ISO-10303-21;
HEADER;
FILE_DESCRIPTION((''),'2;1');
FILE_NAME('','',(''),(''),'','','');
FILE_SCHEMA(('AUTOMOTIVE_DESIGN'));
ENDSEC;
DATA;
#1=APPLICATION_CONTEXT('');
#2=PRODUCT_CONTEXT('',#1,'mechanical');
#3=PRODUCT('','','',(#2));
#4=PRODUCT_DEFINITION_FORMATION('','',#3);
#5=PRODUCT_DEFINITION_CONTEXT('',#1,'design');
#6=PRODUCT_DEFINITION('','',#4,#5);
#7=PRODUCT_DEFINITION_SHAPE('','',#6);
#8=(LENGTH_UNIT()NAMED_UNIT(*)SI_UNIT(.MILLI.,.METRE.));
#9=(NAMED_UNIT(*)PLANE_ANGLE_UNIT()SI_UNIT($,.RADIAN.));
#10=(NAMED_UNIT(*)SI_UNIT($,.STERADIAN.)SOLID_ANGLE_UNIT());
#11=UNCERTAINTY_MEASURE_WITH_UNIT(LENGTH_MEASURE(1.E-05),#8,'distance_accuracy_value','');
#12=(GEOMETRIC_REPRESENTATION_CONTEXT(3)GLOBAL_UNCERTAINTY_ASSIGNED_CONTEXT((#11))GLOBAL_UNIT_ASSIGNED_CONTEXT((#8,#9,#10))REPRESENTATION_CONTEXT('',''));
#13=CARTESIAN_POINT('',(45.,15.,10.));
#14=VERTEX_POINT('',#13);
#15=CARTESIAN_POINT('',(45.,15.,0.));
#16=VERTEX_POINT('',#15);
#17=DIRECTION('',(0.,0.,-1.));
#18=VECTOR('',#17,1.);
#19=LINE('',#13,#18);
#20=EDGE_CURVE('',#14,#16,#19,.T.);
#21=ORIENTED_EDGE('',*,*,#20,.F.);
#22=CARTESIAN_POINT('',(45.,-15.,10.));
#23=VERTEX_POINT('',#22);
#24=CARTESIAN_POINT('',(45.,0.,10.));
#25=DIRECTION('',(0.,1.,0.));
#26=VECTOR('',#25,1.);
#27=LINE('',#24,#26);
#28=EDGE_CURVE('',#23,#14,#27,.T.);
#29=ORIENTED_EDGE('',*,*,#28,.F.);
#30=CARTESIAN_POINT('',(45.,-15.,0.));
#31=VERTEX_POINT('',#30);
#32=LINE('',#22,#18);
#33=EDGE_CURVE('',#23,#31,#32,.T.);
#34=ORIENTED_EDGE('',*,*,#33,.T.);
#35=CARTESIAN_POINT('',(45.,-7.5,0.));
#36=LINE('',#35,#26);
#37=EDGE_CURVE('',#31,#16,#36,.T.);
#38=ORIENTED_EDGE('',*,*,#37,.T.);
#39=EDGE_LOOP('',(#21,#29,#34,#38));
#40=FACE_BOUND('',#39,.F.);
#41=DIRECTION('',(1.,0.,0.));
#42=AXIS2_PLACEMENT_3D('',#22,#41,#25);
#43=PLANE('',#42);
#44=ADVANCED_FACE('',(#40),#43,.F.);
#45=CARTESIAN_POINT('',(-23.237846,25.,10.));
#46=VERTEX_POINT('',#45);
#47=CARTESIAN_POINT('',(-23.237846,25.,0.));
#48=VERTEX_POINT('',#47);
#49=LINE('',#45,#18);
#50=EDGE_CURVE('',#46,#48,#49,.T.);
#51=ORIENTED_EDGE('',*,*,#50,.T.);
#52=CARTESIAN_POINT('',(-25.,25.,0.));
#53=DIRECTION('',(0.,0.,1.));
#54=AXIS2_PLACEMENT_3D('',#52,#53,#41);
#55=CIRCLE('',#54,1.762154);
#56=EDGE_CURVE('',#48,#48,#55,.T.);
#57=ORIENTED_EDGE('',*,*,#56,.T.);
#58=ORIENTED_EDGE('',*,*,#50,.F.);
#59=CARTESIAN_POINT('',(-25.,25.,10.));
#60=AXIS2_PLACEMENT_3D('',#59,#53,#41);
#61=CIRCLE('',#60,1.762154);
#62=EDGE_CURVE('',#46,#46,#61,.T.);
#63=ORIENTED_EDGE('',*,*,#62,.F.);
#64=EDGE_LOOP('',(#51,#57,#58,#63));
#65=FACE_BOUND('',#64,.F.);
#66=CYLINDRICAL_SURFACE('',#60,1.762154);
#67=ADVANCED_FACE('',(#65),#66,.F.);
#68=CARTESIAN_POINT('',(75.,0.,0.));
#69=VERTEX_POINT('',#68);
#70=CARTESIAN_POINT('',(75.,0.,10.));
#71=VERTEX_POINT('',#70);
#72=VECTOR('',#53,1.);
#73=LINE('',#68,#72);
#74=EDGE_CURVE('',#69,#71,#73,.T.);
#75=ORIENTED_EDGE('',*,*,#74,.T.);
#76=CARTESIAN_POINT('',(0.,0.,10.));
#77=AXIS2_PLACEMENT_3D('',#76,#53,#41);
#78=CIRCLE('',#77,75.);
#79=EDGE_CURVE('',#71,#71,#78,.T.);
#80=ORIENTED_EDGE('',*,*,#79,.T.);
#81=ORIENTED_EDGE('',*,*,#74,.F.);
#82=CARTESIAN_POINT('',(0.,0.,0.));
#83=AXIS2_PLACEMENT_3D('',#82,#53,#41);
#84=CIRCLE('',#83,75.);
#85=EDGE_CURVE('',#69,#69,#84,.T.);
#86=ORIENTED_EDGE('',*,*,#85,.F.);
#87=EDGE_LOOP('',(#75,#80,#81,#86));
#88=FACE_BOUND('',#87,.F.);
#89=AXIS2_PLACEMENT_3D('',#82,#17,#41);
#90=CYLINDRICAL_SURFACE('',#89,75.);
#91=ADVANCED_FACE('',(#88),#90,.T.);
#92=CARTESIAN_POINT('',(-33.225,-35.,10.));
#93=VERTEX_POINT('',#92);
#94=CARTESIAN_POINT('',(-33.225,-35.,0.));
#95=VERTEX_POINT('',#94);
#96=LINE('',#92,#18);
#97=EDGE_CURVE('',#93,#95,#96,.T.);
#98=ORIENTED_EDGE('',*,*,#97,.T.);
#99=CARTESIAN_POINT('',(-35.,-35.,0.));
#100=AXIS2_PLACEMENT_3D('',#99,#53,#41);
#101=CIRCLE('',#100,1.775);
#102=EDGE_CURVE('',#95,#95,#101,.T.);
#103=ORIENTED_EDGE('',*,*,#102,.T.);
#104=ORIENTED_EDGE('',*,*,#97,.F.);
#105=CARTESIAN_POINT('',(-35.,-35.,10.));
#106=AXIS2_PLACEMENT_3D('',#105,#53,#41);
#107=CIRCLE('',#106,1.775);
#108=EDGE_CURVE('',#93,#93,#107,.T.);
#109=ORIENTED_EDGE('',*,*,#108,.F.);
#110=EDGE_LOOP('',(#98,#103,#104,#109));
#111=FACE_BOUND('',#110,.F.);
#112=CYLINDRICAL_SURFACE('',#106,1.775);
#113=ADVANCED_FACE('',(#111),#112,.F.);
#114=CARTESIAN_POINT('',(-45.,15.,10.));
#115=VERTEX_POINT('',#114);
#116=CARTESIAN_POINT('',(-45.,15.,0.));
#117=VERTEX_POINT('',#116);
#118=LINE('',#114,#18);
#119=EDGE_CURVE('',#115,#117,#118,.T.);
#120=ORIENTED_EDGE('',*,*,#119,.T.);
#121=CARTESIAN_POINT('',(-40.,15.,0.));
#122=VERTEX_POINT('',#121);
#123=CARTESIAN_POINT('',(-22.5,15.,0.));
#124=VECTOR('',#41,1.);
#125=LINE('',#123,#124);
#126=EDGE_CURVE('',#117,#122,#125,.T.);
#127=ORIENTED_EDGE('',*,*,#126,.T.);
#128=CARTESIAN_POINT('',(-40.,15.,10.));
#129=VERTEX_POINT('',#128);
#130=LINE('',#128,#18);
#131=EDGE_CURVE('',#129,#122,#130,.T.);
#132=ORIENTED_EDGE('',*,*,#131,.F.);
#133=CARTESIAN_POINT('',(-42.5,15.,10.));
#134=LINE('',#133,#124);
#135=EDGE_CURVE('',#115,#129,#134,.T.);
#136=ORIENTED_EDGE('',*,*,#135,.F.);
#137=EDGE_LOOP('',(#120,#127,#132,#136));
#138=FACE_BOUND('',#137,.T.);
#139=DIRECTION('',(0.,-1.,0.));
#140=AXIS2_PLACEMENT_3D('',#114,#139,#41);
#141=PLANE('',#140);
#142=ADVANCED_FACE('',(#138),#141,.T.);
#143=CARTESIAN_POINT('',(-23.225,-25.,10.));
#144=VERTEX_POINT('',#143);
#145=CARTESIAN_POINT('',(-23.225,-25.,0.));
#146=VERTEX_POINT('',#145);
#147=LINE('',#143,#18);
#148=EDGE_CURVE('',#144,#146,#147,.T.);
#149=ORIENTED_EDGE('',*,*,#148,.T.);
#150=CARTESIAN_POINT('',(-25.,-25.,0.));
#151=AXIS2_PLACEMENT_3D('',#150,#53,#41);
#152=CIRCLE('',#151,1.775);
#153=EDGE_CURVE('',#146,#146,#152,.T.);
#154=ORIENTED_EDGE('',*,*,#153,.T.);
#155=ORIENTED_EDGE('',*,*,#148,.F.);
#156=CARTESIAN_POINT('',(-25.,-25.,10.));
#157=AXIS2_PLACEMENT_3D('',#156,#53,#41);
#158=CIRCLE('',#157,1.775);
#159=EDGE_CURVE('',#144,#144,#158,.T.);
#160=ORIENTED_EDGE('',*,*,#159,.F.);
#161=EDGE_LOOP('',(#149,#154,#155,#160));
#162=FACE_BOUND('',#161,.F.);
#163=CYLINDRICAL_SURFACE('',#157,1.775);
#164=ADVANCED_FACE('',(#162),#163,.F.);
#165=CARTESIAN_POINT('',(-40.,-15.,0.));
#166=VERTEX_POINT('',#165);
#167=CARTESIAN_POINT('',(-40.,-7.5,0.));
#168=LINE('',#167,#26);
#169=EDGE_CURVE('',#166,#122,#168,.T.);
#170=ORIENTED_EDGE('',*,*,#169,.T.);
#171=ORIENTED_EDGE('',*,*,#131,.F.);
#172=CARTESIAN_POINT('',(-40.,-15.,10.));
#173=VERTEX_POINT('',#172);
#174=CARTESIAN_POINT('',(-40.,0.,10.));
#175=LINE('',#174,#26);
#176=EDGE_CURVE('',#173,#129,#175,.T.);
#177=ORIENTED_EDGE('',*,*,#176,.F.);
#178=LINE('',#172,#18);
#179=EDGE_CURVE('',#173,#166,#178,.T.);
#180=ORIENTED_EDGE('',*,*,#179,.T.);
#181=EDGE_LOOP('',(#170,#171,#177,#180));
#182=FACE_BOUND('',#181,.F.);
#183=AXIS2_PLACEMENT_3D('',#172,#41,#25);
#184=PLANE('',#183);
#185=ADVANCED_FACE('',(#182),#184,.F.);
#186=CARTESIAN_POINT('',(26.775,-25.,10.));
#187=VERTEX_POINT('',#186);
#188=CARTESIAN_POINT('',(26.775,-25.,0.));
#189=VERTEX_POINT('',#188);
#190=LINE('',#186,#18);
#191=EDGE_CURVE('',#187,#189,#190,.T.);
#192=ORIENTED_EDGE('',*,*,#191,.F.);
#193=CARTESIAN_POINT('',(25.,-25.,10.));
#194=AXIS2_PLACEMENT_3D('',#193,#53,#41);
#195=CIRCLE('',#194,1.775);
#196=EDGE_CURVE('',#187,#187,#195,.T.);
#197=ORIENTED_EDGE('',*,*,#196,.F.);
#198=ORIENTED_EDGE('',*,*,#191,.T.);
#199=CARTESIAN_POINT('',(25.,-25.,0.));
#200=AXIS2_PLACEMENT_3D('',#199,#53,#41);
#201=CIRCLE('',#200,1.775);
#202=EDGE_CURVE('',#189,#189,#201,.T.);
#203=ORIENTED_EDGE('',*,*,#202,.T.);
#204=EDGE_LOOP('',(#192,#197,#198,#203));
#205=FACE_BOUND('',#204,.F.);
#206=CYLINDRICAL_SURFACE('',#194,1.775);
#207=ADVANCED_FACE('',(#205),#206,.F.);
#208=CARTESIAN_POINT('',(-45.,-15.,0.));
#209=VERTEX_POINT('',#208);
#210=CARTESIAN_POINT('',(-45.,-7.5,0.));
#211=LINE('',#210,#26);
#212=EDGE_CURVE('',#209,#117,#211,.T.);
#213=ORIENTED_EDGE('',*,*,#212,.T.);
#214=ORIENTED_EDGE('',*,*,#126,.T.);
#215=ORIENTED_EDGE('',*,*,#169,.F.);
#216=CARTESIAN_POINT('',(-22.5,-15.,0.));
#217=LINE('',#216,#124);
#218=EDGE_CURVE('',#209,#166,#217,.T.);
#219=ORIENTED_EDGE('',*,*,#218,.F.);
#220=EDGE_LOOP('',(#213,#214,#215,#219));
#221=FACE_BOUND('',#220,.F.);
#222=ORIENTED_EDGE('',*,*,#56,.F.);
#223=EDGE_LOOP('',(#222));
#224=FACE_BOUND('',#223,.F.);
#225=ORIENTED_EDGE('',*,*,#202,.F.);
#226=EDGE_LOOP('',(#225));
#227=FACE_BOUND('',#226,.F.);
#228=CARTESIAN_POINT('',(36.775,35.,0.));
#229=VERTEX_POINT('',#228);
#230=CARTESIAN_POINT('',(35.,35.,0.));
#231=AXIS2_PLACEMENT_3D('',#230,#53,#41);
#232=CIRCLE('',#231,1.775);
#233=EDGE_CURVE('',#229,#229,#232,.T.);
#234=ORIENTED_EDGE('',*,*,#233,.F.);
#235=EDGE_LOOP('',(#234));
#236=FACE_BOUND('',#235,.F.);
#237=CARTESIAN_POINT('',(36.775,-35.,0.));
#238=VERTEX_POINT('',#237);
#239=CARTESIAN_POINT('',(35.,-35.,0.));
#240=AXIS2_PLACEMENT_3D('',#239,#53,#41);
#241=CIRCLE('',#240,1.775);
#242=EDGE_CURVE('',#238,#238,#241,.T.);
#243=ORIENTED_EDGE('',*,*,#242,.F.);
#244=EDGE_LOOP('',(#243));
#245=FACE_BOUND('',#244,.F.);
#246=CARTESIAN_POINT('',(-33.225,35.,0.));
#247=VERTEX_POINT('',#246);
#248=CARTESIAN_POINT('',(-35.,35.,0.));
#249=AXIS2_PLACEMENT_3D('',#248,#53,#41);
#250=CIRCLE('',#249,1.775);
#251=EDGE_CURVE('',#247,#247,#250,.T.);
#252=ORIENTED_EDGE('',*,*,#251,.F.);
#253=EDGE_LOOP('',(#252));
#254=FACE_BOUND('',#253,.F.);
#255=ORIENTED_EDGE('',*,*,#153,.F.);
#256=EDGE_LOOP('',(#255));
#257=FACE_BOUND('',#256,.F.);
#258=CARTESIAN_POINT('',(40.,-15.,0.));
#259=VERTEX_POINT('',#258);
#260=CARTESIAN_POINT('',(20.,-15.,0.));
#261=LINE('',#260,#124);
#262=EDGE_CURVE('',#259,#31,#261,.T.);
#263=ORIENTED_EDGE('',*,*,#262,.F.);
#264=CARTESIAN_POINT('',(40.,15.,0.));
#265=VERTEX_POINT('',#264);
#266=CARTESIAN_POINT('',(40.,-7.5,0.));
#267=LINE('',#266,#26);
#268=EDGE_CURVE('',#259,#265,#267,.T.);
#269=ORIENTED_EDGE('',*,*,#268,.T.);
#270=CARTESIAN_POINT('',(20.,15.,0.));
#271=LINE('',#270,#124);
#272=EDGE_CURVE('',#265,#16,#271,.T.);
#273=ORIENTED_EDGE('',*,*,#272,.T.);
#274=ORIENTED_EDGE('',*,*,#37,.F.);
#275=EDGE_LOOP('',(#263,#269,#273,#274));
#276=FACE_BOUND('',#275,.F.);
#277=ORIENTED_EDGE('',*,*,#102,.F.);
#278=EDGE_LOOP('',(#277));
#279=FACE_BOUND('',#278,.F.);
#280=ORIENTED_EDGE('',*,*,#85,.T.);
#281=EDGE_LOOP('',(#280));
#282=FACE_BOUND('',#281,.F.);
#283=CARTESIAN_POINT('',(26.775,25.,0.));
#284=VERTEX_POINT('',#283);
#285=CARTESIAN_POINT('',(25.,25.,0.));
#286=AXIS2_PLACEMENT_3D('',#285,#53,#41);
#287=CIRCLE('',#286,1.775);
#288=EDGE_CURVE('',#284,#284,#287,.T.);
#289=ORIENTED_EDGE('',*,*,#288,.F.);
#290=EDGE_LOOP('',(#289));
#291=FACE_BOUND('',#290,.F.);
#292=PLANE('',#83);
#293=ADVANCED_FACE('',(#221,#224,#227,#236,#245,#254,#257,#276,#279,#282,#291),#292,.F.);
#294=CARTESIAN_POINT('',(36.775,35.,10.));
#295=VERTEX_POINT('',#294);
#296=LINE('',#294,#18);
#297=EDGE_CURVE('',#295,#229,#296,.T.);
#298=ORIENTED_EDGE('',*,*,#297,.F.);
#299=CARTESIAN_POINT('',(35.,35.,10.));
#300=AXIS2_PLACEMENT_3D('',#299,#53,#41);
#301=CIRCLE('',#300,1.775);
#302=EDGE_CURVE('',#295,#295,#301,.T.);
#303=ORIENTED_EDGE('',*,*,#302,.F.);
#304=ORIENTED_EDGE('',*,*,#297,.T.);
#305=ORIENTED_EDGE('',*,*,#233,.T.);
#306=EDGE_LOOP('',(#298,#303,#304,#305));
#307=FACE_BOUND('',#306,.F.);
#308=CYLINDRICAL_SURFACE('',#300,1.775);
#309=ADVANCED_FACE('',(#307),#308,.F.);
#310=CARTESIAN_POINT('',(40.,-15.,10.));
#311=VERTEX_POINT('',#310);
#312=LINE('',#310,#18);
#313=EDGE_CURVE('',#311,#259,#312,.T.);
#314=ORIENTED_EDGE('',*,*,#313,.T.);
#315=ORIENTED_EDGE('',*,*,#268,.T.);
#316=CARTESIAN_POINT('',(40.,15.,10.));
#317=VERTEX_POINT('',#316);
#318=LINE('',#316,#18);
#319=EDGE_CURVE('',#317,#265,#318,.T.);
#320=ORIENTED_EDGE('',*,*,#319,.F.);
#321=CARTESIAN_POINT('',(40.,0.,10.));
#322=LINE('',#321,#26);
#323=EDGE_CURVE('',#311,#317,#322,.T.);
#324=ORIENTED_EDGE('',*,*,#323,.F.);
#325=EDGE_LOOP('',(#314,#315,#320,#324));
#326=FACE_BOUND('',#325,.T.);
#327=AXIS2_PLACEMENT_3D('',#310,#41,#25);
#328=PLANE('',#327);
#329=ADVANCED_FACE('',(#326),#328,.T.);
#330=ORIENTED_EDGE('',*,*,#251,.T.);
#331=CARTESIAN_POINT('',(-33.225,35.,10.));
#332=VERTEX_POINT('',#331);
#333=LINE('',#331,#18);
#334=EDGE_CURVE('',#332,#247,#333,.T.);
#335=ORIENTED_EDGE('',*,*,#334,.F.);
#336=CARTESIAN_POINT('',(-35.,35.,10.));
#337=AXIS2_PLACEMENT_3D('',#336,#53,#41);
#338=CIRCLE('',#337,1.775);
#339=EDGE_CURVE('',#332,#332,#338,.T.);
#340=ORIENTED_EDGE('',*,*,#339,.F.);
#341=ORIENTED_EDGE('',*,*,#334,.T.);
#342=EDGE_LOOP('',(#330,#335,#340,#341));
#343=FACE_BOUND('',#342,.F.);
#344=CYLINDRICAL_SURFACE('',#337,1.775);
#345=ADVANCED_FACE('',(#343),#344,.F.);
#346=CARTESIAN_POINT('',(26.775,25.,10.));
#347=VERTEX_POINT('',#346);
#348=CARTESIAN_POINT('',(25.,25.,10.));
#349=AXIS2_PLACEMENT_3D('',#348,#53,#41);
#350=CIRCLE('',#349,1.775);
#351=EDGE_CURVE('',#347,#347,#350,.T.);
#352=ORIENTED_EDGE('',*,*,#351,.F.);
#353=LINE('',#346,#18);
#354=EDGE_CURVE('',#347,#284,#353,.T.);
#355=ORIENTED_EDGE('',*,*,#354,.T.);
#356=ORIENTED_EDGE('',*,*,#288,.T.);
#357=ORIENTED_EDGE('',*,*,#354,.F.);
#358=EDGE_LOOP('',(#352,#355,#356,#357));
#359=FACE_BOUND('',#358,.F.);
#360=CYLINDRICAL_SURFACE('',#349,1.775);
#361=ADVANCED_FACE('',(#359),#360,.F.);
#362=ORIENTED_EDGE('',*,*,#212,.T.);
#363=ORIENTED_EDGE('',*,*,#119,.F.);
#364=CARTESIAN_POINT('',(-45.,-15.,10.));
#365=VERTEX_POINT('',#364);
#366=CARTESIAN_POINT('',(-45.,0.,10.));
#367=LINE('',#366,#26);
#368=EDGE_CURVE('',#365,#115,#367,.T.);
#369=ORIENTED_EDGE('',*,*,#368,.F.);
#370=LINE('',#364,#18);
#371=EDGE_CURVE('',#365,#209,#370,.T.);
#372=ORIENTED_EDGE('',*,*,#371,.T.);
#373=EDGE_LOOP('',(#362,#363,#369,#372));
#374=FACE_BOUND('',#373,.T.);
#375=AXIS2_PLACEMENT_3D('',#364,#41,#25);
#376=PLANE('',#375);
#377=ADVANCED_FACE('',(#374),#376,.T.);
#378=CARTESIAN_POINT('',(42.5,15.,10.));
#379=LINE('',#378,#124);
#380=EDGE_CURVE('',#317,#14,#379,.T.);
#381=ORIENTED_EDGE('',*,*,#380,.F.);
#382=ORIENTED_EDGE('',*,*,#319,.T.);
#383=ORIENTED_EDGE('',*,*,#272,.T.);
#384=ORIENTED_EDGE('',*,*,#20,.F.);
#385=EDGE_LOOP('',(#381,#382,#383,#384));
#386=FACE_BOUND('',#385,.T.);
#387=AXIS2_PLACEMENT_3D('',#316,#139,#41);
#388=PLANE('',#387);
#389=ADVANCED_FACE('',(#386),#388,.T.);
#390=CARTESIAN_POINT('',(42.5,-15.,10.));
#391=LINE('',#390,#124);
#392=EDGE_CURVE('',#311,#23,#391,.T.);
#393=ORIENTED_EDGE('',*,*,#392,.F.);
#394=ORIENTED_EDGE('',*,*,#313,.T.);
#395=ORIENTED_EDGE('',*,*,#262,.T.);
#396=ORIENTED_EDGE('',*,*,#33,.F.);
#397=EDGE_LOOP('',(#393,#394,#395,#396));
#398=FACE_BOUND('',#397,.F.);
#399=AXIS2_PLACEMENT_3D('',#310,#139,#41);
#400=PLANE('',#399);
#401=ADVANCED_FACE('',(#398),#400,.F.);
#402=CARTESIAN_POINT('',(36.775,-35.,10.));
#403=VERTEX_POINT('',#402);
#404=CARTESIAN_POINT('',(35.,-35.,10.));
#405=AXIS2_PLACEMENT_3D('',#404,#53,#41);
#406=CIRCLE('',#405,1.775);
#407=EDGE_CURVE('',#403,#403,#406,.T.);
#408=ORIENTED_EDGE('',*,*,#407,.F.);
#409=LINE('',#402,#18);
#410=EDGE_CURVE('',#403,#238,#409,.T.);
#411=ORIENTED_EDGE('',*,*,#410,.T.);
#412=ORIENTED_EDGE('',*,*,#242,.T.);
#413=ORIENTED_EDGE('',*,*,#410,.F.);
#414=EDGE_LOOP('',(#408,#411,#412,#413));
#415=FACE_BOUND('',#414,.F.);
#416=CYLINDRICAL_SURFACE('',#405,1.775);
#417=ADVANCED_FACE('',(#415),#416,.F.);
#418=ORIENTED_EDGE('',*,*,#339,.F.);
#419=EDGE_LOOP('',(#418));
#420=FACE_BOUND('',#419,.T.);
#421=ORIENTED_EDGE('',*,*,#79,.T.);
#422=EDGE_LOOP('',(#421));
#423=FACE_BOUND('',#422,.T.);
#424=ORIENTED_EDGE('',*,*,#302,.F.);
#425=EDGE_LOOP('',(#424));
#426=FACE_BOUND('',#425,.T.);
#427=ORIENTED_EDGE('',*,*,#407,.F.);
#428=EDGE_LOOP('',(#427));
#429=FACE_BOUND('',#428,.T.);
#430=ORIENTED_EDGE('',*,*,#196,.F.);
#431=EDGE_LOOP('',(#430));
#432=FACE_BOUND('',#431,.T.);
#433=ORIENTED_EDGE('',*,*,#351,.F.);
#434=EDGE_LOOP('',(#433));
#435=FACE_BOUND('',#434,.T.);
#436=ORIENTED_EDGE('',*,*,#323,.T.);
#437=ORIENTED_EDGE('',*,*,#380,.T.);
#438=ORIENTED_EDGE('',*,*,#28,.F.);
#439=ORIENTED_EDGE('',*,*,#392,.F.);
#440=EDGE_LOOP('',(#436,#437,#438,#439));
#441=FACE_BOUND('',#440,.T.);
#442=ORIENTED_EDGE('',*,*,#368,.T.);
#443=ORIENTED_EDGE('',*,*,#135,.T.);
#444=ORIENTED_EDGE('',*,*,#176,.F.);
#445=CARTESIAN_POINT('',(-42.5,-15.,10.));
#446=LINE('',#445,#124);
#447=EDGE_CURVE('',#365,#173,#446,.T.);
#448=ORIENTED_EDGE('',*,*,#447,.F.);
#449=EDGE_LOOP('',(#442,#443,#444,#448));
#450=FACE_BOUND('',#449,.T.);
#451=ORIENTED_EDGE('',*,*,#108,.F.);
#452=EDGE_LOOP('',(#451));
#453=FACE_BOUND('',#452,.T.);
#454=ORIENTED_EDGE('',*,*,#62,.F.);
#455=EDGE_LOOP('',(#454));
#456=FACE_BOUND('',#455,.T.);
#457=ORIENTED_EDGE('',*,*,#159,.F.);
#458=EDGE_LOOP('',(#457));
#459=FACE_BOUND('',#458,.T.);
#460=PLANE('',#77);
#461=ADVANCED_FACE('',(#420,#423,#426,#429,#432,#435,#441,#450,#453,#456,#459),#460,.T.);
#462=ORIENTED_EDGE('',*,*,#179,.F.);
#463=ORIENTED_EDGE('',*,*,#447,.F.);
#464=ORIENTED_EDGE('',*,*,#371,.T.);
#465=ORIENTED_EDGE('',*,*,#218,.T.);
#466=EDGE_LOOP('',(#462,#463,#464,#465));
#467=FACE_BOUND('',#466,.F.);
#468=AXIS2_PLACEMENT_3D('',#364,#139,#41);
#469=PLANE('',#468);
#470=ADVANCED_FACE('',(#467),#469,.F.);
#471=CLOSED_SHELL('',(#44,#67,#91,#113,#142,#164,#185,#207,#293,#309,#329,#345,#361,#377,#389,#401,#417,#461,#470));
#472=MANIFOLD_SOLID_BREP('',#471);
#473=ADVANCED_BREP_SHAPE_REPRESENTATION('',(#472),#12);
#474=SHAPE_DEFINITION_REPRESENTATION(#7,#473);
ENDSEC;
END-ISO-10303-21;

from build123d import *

# Parameters (mm, degrees)
F0_R     = 75
F1_DEPTH = 10
F2_R     = 1.775
F2_R_2   = 1.762154
F3_DEPTH = 25
F4_W     = 5
F4_H     = 30
F5_DEPTH = 25


with BuildPart() as f1:
    # F0 (on Top) → F1 (new body)
    with BuildSketch(Plane.XY):
        Circle(F0_R)
    extrude(amount=F1_DEPTH)

    # F2 (on face) → F3 (cut)
    with BuildSketch(Plane.XY.offset(10)):
        with Locations((-35, 35)):
            Circle(F2_R)
        with Locations((-25, 25)):
            Circle(F2_R_2)
        with Locations((25, 25)):
            Circle(F2_R)
        with Locations((35, 35)):
            Circle(F2_R)
        with Locations((25, -25)):
            Circle(F2_R)
        with Locations((35, -35)):
            Circle(F2_R)
        with Locations((-25, -25)):
            Circle(F2_R)
        with Locations((-35, -35)):
            Circle(F2_R)
    extrude(amount=-F3_DEPTH, mode=Mode.SUBTRACT)

    # F4 (on face) → F5 (cut)
    with BuildSketch(Plane.XY.offset(10)):
        with Locations((-42.5, 0)):
            Rectangle(F4_W, F4_H)
        with Locations((42.5, 0)):
            Rectangle(F4_W, F4_H)
    extrude(amount=-F5_DEPTH, mode=Mode.SUBTRACT)


solid = f1.part
